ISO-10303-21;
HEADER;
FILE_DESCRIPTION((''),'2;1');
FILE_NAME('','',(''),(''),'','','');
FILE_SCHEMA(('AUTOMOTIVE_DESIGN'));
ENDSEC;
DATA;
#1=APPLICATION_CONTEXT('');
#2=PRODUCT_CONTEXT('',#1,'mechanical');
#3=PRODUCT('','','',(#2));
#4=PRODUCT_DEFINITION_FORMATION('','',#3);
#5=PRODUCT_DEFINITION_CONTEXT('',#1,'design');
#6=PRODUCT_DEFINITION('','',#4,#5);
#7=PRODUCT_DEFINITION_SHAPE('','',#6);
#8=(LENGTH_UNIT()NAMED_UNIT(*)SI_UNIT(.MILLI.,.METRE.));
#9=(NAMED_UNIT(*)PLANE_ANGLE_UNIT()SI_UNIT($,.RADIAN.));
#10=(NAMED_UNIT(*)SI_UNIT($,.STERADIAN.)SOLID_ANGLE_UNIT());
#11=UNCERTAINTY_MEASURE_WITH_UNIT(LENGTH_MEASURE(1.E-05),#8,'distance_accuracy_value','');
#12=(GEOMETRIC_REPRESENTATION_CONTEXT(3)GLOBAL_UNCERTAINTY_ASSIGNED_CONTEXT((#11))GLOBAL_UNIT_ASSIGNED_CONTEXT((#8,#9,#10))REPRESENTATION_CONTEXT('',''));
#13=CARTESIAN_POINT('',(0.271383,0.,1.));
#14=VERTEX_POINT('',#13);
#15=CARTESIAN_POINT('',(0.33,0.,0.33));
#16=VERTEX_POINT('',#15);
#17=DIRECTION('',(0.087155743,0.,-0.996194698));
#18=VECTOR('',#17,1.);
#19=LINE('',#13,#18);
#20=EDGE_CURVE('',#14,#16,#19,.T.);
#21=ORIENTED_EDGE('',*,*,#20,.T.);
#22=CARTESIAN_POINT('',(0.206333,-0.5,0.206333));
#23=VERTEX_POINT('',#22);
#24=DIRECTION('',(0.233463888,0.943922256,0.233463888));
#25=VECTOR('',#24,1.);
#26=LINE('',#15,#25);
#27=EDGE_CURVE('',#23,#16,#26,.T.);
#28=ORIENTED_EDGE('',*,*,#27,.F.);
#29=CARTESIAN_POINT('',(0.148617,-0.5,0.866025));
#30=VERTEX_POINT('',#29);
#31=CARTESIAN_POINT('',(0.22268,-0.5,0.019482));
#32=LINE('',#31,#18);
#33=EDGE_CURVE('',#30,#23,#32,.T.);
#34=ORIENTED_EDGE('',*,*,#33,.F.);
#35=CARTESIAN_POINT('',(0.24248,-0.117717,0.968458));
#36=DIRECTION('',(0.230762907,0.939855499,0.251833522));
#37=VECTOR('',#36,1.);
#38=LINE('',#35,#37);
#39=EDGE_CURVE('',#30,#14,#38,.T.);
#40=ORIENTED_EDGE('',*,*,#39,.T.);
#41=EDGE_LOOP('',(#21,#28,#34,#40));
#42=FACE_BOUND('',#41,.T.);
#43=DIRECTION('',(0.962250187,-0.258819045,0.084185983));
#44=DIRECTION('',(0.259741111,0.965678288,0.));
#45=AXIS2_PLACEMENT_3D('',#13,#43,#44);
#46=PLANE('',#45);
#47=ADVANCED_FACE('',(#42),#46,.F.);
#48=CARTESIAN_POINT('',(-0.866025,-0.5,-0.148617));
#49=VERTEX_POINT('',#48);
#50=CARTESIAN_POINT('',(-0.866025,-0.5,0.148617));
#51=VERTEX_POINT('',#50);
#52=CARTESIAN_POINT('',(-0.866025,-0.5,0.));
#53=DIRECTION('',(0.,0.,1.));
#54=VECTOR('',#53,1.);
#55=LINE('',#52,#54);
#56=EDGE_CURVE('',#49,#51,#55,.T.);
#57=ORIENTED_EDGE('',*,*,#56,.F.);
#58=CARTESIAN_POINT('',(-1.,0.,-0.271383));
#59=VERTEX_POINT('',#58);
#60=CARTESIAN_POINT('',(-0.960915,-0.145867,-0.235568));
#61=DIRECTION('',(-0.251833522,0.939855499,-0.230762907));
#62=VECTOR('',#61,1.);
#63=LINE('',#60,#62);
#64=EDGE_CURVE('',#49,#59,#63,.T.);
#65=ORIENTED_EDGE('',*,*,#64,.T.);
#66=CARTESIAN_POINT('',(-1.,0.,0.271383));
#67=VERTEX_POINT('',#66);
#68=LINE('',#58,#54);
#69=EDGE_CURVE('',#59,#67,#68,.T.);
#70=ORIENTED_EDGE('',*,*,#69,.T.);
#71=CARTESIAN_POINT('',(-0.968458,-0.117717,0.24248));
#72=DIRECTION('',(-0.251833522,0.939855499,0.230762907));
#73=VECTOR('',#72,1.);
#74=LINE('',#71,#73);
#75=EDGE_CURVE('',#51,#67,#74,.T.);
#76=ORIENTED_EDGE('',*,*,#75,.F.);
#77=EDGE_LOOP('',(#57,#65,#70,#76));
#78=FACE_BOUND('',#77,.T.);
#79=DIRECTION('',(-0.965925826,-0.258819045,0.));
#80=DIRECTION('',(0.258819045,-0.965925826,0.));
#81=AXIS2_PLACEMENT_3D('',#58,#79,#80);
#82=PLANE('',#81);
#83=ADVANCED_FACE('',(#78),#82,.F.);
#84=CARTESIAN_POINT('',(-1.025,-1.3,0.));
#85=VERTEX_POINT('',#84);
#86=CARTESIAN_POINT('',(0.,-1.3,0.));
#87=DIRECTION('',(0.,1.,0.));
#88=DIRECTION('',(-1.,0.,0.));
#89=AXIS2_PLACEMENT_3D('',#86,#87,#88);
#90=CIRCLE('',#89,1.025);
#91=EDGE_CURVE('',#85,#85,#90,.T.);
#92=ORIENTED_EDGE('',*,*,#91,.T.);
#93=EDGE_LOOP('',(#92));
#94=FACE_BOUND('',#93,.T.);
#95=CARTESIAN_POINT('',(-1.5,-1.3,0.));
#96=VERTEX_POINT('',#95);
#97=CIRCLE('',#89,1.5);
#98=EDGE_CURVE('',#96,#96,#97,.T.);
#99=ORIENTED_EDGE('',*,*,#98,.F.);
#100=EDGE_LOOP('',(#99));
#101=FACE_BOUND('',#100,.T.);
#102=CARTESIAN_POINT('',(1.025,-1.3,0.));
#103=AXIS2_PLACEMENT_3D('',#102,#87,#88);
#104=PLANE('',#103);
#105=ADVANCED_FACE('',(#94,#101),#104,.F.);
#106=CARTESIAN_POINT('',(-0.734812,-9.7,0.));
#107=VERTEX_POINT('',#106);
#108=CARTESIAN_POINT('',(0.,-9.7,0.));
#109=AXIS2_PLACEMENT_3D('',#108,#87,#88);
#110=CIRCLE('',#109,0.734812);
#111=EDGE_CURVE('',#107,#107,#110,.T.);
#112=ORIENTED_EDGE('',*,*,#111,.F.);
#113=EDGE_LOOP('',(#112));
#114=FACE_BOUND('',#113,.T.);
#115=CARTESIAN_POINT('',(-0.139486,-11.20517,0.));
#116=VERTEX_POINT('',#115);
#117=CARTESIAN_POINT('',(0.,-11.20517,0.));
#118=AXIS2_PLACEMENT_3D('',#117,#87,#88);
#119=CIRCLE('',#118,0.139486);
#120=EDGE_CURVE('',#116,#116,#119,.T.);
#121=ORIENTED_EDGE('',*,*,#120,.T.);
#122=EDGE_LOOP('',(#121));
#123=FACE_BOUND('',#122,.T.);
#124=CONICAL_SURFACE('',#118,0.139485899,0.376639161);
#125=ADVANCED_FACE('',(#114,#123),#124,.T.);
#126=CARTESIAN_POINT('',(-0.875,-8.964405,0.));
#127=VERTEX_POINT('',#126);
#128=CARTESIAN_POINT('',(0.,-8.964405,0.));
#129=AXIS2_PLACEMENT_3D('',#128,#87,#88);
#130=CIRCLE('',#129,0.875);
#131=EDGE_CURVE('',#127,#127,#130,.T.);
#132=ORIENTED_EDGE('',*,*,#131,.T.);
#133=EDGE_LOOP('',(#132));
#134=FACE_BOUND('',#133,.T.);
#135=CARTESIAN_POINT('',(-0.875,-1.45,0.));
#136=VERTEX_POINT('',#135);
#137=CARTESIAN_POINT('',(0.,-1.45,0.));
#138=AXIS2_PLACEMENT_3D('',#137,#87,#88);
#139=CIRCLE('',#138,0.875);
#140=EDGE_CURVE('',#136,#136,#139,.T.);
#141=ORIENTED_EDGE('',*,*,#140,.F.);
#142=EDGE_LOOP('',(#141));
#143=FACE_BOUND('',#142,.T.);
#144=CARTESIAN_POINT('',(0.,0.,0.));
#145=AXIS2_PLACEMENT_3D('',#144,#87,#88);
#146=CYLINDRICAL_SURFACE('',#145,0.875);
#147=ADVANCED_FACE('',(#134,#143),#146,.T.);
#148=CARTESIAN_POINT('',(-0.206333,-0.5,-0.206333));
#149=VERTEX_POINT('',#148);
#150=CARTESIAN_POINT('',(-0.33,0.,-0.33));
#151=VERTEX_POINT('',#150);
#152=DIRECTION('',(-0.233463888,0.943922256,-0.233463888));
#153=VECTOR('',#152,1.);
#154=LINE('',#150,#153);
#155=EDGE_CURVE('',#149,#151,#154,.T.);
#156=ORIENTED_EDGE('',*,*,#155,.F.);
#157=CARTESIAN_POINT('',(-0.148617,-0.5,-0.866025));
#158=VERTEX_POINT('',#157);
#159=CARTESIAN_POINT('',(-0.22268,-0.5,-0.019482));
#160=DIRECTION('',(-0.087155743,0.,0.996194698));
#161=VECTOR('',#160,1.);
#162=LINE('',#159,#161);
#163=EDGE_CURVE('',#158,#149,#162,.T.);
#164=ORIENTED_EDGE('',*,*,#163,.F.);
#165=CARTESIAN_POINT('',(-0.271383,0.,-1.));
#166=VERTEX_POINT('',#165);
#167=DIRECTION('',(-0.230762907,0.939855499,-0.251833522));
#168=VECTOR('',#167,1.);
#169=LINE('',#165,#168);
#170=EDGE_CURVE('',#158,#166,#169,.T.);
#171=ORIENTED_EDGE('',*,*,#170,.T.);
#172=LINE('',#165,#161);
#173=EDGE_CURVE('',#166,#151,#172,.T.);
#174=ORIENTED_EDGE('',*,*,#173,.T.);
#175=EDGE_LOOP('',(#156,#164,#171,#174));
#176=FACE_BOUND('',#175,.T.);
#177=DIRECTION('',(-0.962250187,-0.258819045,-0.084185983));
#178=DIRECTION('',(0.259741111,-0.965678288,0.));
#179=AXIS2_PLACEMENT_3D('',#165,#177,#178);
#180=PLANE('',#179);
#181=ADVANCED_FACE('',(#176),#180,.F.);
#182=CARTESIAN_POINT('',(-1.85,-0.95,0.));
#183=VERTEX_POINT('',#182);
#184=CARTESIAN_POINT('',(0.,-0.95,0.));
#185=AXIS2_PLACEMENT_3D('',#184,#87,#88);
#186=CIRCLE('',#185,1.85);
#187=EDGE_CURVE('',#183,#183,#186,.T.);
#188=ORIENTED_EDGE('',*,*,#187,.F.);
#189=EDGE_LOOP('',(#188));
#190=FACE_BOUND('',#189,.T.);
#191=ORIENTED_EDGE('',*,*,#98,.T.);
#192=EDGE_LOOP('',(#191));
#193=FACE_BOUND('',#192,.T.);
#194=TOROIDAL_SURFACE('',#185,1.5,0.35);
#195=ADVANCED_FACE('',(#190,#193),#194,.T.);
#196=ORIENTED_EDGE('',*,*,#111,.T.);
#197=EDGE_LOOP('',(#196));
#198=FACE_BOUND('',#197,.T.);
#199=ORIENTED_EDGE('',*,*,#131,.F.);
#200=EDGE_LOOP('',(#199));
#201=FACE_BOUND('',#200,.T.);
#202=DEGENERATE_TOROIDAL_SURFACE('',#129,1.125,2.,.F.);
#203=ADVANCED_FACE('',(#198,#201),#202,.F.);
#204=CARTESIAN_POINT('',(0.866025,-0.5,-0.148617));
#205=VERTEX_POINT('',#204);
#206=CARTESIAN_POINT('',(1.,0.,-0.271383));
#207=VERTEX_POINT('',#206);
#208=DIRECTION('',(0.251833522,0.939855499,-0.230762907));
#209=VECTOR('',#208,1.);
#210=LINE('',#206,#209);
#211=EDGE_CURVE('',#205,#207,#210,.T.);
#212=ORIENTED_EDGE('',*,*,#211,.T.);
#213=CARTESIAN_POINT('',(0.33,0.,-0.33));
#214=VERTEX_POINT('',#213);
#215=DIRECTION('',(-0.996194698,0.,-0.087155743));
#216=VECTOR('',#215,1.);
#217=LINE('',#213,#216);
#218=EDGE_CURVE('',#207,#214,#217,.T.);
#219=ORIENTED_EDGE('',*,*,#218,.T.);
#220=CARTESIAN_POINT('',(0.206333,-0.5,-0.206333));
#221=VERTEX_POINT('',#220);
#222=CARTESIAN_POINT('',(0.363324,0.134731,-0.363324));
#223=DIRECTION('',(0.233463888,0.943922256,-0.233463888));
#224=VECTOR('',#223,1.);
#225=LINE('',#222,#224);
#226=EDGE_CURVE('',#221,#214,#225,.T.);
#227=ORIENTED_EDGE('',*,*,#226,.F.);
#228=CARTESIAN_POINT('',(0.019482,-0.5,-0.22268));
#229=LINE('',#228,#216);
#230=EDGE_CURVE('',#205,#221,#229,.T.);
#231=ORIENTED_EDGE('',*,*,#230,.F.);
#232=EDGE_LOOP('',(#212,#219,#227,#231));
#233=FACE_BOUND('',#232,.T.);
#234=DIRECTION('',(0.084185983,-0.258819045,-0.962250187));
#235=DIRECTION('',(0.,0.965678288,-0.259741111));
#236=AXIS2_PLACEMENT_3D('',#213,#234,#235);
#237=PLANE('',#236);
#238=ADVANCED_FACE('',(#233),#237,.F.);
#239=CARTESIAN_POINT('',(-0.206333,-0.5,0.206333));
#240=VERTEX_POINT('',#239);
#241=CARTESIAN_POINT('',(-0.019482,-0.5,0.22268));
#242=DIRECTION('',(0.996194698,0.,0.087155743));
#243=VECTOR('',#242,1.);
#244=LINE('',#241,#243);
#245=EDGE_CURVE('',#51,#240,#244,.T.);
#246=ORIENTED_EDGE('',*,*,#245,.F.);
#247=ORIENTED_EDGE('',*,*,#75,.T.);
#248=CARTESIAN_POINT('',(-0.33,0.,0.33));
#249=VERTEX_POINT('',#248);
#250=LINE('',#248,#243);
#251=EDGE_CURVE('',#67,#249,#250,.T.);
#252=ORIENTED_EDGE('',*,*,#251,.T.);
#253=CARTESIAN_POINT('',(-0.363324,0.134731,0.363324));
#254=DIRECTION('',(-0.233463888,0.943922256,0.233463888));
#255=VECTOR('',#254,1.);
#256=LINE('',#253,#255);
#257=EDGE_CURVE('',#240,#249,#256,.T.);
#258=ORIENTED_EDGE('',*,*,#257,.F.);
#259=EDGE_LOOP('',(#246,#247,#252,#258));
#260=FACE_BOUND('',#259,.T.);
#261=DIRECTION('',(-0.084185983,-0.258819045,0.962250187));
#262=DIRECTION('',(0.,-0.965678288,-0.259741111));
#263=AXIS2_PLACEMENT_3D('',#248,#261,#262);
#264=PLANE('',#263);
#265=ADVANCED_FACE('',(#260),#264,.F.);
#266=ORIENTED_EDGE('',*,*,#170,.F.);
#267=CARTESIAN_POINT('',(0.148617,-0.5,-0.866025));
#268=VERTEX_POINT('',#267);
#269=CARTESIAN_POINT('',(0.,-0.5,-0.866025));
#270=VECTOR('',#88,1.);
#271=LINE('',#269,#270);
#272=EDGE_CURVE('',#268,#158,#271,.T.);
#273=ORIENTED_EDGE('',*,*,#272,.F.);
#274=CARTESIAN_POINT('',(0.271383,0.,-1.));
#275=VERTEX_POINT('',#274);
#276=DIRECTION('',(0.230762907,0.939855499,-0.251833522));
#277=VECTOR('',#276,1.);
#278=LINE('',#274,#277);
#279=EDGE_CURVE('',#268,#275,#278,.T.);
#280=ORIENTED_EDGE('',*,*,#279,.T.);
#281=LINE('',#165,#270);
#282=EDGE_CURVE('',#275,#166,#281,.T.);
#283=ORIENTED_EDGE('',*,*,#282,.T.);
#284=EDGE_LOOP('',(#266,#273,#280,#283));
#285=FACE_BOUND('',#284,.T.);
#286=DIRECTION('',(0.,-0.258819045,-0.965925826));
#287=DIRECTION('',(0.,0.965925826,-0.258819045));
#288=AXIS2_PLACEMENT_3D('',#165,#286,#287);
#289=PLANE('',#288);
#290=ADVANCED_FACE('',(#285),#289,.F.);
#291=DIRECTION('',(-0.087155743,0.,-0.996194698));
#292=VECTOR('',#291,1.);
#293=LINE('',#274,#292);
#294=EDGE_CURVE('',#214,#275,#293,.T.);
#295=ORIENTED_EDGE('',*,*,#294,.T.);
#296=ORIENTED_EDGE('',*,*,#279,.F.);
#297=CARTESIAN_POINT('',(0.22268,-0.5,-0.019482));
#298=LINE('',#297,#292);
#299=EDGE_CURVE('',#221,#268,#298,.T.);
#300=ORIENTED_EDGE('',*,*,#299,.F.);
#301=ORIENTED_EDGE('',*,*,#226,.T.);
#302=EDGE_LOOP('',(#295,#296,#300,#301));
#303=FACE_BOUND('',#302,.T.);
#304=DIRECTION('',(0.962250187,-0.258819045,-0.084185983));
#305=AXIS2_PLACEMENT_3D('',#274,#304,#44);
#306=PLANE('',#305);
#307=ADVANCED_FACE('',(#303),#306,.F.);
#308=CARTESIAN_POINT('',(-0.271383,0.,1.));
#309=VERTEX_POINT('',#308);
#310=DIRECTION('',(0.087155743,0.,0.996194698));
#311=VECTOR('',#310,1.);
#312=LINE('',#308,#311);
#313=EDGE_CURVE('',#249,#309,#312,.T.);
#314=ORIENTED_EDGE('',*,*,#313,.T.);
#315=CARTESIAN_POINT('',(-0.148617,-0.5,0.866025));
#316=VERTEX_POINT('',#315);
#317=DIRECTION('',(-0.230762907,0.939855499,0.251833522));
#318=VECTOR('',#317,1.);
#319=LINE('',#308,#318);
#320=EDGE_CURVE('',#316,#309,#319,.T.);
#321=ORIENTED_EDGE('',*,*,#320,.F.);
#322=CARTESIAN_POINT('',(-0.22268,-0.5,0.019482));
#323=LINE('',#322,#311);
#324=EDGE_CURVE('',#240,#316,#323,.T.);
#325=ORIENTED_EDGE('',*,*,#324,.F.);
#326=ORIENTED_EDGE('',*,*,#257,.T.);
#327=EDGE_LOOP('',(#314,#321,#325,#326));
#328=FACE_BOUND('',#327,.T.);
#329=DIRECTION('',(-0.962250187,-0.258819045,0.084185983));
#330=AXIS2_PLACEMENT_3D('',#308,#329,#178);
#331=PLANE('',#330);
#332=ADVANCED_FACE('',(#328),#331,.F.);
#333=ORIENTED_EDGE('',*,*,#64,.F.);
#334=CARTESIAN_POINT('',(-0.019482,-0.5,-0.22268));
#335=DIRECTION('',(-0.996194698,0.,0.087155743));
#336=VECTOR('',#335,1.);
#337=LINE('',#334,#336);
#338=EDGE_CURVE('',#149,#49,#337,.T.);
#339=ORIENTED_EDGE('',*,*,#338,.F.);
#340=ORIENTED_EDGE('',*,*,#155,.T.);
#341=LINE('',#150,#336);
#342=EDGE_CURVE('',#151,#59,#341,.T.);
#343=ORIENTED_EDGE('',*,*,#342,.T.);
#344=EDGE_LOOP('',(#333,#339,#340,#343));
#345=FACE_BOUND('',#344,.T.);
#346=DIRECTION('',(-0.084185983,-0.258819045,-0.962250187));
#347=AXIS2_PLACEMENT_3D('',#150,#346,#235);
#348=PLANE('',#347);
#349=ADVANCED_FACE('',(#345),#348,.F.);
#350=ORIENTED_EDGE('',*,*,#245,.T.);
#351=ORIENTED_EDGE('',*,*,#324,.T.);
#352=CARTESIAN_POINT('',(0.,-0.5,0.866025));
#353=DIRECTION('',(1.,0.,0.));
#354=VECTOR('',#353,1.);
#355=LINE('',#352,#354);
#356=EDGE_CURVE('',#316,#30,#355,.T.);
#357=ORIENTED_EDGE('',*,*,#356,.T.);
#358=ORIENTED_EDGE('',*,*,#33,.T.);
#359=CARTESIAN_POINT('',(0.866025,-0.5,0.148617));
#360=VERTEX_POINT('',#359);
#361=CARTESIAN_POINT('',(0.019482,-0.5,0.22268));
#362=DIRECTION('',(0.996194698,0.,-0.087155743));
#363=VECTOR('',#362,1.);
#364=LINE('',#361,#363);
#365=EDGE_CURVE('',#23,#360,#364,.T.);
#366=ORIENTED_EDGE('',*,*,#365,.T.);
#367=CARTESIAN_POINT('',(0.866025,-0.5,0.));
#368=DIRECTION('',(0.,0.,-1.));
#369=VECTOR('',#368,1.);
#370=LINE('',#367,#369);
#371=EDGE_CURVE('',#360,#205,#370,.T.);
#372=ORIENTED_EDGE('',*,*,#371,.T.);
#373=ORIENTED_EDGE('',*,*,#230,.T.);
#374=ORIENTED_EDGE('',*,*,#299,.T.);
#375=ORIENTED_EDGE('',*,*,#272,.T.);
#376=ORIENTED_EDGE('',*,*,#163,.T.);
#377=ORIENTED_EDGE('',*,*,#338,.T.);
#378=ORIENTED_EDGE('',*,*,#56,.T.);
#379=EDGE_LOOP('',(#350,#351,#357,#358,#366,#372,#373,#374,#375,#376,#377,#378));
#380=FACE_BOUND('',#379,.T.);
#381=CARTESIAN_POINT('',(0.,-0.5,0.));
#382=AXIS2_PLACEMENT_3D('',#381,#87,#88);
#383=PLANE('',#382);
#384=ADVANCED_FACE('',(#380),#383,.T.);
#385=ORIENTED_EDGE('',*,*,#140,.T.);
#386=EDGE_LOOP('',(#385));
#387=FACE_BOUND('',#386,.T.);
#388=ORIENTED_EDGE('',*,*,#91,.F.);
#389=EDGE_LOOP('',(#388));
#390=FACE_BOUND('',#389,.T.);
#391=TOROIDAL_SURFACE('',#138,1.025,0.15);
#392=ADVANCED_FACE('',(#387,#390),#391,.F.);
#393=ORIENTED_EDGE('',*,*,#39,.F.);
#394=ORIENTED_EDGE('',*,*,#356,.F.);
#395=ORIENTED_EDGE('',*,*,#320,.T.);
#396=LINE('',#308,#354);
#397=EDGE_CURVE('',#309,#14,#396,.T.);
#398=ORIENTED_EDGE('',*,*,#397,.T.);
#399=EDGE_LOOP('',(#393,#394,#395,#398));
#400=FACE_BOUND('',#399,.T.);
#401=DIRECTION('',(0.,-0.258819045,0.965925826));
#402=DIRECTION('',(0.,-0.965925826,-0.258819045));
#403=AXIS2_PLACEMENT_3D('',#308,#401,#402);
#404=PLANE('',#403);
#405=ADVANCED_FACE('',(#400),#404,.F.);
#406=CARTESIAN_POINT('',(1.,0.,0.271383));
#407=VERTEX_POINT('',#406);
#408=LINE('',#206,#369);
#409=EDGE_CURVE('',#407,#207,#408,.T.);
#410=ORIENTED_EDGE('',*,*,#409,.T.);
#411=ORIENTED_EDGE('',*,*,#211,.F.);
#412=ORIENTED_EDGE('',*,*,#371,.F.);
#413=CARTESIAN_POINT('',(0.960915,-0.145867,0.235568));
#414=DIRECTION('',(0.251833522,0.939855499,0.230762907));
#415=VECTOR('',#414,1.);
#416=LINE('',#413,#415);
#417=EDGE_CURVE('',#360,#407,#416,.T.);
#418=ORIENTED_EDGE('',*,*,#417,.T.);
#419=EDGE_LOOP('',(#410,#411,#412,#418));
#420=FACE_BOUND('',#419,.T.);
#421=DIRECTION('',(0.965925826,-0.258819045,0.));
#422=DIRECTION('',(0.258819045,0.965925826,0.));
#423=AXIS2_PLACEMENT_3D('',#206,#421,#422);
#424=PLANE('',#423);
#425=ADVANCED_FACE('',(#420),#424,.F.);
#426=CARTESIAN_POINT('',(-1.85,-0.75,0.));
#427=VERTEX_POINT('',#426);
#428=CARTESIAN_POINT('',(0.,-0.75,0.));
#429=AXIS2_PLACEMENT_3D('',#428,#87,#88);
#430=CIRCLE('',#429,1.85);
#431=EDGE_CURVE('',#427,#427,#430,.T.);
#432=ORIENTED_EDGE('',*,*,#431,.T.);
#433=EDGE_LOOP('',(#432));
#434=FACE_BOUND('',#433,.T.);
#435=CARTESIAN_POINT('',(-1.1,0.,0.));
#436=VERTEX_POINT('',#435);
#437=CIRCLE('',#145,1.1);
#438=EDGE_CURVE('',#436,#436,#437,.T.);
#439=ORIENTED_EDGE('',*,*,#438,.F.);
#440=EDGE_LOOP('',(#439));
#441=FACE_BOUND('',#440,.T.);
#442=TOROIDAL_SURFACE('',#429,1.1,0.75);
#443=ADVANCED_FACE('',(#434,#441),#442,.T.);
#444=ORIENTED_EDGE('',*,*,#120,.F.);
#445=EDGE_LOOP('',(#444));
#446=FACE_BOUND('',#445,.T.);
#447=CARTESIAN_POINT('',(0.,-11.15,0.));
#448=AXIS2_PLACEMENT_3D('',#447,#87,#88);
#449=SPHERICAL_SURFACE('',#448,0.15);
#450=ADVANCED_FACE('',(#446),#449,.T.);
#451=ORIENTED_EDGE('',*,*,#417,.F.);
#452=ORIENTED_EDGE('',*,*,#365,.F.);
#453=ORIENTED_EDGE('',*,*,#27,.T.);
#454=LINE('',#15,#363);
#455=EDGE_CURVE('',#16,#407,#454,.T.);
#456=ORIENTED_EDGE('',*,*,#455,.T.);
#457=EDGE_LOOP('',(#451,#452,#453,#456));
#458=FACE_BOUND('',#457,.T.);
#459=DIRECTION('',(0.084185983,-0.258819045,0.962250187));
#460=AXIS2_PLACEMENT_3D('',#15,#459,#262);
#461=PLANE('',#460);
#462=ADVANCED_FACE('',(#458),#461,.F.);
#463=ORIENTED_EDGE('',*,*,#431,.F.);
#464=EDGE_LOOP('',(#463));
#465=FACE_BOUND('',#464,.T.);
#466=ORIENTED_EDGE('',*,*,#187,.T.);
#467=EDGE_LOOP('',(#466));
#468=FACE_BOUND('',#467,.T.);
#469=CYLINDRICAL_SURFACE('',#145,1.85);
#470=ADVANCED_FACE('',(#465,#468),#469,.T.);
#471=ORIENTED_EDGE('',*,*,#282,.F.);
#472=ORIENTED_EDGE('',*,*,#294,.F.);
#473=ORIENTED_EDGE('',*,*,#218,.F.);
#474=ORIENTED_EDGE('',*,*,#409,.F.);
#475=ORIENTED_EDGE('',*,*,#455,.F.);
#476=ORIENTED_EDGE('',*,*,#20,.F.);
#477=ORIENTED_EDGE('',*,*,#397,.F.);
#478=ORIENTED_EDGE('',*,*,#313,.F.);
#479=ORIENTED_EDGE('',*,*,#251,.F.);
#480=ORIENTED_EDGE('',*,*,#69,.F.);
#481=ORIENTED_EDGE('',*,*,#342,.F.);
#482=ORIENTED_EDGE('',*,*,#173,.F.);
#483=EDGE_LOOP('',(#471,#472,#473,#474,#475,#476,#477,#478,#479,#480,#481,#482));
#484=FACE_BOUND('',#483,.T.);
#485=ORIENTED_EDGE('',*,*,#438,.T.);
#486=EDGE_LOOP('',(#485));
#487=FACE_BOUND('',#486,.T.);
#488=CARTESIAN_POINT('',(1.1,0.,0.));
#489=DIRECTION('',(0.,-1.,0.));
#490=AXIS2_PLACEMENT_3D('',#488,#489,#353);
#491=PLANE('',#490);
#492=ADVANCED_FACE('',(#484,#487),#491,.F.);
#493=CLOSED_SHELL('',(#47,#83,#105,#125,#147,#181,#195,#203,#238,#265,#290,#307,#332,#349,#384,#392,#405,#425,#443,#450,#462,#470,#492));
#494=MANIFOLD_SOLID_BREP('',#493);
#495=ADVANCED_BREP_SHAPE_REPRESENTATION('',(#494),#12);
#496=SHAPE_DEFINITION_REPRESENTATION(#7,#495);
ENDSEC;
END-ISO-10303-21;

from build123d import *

# Parameters (mm, degrees)
CUT_EXTRUDE1_DEPTH = 0.5
CUT_EXTRUDE1_TAPER = 15


with BuildPart() as part:
    # Sketch1 → Revolve1 (revolve)
    with BuildSketch(Plane.XY):
        with BuildLine():
            Line((0.875, -8.964405423), (0.875, -1.45))
            ThreePointArc((0.875, -1.45), (0.918933983, -1.343933983), (1.025, -1.3))
            Line((1.025, -1.3), (1.5, -1.3))
            ThreePointArc((1.5, -1.3), (1.747487373, -1.197487373), (1.85, -0.95))
            Line((1.85, -0.95), (1.85, -0.75))
            ThreePointArc((1.85, -0.75), (1.630330086, -0.219669914), (1.1, 0))
            Line((1.1, 0), (0, 0))
            Line((0, 0), (0, -11.3))
            ThreePointArc((0, -11.3), (0.084334338, -11.274047247), (0.139485899, -11.205169593))
            Line((0.139485899, -11.205169593), (0.734811985, -9.7))
            ThreePointArc((0.734811985, -9.7), (0.839640421, -9.338822324), (0.875, -8.964405423))
        make_face()
    revolve(axis=Axis((0, 0, 0), (0, -1, 0)))

    # Sketch2 → Cut-Extrude1 (cut)
    with BuildSketch(Plane(origin=(0, 0, 0), x_dir=(1, 0, 0), z_dir=(0, 1, 0))):
        Polygon((-0.271382595, 1), (-0.33, 0.33), (-1, 0.271382595), (-1, -0.271382595), (-0.33, -0.33), (-0.271382595, -1), (0.271382595, -1), (0.33, -0.33), (1, -0.271382595), (1, 0.271382595), (0.33, 0.33), (0.271382595, 1), align=None)
    extrude(amount=-CUT_EXTRUDE1_DEPTH, taper=CUT_EXTRUDE1_TAPER, mode=Mode.SUBTRACT)


solid = part.part
